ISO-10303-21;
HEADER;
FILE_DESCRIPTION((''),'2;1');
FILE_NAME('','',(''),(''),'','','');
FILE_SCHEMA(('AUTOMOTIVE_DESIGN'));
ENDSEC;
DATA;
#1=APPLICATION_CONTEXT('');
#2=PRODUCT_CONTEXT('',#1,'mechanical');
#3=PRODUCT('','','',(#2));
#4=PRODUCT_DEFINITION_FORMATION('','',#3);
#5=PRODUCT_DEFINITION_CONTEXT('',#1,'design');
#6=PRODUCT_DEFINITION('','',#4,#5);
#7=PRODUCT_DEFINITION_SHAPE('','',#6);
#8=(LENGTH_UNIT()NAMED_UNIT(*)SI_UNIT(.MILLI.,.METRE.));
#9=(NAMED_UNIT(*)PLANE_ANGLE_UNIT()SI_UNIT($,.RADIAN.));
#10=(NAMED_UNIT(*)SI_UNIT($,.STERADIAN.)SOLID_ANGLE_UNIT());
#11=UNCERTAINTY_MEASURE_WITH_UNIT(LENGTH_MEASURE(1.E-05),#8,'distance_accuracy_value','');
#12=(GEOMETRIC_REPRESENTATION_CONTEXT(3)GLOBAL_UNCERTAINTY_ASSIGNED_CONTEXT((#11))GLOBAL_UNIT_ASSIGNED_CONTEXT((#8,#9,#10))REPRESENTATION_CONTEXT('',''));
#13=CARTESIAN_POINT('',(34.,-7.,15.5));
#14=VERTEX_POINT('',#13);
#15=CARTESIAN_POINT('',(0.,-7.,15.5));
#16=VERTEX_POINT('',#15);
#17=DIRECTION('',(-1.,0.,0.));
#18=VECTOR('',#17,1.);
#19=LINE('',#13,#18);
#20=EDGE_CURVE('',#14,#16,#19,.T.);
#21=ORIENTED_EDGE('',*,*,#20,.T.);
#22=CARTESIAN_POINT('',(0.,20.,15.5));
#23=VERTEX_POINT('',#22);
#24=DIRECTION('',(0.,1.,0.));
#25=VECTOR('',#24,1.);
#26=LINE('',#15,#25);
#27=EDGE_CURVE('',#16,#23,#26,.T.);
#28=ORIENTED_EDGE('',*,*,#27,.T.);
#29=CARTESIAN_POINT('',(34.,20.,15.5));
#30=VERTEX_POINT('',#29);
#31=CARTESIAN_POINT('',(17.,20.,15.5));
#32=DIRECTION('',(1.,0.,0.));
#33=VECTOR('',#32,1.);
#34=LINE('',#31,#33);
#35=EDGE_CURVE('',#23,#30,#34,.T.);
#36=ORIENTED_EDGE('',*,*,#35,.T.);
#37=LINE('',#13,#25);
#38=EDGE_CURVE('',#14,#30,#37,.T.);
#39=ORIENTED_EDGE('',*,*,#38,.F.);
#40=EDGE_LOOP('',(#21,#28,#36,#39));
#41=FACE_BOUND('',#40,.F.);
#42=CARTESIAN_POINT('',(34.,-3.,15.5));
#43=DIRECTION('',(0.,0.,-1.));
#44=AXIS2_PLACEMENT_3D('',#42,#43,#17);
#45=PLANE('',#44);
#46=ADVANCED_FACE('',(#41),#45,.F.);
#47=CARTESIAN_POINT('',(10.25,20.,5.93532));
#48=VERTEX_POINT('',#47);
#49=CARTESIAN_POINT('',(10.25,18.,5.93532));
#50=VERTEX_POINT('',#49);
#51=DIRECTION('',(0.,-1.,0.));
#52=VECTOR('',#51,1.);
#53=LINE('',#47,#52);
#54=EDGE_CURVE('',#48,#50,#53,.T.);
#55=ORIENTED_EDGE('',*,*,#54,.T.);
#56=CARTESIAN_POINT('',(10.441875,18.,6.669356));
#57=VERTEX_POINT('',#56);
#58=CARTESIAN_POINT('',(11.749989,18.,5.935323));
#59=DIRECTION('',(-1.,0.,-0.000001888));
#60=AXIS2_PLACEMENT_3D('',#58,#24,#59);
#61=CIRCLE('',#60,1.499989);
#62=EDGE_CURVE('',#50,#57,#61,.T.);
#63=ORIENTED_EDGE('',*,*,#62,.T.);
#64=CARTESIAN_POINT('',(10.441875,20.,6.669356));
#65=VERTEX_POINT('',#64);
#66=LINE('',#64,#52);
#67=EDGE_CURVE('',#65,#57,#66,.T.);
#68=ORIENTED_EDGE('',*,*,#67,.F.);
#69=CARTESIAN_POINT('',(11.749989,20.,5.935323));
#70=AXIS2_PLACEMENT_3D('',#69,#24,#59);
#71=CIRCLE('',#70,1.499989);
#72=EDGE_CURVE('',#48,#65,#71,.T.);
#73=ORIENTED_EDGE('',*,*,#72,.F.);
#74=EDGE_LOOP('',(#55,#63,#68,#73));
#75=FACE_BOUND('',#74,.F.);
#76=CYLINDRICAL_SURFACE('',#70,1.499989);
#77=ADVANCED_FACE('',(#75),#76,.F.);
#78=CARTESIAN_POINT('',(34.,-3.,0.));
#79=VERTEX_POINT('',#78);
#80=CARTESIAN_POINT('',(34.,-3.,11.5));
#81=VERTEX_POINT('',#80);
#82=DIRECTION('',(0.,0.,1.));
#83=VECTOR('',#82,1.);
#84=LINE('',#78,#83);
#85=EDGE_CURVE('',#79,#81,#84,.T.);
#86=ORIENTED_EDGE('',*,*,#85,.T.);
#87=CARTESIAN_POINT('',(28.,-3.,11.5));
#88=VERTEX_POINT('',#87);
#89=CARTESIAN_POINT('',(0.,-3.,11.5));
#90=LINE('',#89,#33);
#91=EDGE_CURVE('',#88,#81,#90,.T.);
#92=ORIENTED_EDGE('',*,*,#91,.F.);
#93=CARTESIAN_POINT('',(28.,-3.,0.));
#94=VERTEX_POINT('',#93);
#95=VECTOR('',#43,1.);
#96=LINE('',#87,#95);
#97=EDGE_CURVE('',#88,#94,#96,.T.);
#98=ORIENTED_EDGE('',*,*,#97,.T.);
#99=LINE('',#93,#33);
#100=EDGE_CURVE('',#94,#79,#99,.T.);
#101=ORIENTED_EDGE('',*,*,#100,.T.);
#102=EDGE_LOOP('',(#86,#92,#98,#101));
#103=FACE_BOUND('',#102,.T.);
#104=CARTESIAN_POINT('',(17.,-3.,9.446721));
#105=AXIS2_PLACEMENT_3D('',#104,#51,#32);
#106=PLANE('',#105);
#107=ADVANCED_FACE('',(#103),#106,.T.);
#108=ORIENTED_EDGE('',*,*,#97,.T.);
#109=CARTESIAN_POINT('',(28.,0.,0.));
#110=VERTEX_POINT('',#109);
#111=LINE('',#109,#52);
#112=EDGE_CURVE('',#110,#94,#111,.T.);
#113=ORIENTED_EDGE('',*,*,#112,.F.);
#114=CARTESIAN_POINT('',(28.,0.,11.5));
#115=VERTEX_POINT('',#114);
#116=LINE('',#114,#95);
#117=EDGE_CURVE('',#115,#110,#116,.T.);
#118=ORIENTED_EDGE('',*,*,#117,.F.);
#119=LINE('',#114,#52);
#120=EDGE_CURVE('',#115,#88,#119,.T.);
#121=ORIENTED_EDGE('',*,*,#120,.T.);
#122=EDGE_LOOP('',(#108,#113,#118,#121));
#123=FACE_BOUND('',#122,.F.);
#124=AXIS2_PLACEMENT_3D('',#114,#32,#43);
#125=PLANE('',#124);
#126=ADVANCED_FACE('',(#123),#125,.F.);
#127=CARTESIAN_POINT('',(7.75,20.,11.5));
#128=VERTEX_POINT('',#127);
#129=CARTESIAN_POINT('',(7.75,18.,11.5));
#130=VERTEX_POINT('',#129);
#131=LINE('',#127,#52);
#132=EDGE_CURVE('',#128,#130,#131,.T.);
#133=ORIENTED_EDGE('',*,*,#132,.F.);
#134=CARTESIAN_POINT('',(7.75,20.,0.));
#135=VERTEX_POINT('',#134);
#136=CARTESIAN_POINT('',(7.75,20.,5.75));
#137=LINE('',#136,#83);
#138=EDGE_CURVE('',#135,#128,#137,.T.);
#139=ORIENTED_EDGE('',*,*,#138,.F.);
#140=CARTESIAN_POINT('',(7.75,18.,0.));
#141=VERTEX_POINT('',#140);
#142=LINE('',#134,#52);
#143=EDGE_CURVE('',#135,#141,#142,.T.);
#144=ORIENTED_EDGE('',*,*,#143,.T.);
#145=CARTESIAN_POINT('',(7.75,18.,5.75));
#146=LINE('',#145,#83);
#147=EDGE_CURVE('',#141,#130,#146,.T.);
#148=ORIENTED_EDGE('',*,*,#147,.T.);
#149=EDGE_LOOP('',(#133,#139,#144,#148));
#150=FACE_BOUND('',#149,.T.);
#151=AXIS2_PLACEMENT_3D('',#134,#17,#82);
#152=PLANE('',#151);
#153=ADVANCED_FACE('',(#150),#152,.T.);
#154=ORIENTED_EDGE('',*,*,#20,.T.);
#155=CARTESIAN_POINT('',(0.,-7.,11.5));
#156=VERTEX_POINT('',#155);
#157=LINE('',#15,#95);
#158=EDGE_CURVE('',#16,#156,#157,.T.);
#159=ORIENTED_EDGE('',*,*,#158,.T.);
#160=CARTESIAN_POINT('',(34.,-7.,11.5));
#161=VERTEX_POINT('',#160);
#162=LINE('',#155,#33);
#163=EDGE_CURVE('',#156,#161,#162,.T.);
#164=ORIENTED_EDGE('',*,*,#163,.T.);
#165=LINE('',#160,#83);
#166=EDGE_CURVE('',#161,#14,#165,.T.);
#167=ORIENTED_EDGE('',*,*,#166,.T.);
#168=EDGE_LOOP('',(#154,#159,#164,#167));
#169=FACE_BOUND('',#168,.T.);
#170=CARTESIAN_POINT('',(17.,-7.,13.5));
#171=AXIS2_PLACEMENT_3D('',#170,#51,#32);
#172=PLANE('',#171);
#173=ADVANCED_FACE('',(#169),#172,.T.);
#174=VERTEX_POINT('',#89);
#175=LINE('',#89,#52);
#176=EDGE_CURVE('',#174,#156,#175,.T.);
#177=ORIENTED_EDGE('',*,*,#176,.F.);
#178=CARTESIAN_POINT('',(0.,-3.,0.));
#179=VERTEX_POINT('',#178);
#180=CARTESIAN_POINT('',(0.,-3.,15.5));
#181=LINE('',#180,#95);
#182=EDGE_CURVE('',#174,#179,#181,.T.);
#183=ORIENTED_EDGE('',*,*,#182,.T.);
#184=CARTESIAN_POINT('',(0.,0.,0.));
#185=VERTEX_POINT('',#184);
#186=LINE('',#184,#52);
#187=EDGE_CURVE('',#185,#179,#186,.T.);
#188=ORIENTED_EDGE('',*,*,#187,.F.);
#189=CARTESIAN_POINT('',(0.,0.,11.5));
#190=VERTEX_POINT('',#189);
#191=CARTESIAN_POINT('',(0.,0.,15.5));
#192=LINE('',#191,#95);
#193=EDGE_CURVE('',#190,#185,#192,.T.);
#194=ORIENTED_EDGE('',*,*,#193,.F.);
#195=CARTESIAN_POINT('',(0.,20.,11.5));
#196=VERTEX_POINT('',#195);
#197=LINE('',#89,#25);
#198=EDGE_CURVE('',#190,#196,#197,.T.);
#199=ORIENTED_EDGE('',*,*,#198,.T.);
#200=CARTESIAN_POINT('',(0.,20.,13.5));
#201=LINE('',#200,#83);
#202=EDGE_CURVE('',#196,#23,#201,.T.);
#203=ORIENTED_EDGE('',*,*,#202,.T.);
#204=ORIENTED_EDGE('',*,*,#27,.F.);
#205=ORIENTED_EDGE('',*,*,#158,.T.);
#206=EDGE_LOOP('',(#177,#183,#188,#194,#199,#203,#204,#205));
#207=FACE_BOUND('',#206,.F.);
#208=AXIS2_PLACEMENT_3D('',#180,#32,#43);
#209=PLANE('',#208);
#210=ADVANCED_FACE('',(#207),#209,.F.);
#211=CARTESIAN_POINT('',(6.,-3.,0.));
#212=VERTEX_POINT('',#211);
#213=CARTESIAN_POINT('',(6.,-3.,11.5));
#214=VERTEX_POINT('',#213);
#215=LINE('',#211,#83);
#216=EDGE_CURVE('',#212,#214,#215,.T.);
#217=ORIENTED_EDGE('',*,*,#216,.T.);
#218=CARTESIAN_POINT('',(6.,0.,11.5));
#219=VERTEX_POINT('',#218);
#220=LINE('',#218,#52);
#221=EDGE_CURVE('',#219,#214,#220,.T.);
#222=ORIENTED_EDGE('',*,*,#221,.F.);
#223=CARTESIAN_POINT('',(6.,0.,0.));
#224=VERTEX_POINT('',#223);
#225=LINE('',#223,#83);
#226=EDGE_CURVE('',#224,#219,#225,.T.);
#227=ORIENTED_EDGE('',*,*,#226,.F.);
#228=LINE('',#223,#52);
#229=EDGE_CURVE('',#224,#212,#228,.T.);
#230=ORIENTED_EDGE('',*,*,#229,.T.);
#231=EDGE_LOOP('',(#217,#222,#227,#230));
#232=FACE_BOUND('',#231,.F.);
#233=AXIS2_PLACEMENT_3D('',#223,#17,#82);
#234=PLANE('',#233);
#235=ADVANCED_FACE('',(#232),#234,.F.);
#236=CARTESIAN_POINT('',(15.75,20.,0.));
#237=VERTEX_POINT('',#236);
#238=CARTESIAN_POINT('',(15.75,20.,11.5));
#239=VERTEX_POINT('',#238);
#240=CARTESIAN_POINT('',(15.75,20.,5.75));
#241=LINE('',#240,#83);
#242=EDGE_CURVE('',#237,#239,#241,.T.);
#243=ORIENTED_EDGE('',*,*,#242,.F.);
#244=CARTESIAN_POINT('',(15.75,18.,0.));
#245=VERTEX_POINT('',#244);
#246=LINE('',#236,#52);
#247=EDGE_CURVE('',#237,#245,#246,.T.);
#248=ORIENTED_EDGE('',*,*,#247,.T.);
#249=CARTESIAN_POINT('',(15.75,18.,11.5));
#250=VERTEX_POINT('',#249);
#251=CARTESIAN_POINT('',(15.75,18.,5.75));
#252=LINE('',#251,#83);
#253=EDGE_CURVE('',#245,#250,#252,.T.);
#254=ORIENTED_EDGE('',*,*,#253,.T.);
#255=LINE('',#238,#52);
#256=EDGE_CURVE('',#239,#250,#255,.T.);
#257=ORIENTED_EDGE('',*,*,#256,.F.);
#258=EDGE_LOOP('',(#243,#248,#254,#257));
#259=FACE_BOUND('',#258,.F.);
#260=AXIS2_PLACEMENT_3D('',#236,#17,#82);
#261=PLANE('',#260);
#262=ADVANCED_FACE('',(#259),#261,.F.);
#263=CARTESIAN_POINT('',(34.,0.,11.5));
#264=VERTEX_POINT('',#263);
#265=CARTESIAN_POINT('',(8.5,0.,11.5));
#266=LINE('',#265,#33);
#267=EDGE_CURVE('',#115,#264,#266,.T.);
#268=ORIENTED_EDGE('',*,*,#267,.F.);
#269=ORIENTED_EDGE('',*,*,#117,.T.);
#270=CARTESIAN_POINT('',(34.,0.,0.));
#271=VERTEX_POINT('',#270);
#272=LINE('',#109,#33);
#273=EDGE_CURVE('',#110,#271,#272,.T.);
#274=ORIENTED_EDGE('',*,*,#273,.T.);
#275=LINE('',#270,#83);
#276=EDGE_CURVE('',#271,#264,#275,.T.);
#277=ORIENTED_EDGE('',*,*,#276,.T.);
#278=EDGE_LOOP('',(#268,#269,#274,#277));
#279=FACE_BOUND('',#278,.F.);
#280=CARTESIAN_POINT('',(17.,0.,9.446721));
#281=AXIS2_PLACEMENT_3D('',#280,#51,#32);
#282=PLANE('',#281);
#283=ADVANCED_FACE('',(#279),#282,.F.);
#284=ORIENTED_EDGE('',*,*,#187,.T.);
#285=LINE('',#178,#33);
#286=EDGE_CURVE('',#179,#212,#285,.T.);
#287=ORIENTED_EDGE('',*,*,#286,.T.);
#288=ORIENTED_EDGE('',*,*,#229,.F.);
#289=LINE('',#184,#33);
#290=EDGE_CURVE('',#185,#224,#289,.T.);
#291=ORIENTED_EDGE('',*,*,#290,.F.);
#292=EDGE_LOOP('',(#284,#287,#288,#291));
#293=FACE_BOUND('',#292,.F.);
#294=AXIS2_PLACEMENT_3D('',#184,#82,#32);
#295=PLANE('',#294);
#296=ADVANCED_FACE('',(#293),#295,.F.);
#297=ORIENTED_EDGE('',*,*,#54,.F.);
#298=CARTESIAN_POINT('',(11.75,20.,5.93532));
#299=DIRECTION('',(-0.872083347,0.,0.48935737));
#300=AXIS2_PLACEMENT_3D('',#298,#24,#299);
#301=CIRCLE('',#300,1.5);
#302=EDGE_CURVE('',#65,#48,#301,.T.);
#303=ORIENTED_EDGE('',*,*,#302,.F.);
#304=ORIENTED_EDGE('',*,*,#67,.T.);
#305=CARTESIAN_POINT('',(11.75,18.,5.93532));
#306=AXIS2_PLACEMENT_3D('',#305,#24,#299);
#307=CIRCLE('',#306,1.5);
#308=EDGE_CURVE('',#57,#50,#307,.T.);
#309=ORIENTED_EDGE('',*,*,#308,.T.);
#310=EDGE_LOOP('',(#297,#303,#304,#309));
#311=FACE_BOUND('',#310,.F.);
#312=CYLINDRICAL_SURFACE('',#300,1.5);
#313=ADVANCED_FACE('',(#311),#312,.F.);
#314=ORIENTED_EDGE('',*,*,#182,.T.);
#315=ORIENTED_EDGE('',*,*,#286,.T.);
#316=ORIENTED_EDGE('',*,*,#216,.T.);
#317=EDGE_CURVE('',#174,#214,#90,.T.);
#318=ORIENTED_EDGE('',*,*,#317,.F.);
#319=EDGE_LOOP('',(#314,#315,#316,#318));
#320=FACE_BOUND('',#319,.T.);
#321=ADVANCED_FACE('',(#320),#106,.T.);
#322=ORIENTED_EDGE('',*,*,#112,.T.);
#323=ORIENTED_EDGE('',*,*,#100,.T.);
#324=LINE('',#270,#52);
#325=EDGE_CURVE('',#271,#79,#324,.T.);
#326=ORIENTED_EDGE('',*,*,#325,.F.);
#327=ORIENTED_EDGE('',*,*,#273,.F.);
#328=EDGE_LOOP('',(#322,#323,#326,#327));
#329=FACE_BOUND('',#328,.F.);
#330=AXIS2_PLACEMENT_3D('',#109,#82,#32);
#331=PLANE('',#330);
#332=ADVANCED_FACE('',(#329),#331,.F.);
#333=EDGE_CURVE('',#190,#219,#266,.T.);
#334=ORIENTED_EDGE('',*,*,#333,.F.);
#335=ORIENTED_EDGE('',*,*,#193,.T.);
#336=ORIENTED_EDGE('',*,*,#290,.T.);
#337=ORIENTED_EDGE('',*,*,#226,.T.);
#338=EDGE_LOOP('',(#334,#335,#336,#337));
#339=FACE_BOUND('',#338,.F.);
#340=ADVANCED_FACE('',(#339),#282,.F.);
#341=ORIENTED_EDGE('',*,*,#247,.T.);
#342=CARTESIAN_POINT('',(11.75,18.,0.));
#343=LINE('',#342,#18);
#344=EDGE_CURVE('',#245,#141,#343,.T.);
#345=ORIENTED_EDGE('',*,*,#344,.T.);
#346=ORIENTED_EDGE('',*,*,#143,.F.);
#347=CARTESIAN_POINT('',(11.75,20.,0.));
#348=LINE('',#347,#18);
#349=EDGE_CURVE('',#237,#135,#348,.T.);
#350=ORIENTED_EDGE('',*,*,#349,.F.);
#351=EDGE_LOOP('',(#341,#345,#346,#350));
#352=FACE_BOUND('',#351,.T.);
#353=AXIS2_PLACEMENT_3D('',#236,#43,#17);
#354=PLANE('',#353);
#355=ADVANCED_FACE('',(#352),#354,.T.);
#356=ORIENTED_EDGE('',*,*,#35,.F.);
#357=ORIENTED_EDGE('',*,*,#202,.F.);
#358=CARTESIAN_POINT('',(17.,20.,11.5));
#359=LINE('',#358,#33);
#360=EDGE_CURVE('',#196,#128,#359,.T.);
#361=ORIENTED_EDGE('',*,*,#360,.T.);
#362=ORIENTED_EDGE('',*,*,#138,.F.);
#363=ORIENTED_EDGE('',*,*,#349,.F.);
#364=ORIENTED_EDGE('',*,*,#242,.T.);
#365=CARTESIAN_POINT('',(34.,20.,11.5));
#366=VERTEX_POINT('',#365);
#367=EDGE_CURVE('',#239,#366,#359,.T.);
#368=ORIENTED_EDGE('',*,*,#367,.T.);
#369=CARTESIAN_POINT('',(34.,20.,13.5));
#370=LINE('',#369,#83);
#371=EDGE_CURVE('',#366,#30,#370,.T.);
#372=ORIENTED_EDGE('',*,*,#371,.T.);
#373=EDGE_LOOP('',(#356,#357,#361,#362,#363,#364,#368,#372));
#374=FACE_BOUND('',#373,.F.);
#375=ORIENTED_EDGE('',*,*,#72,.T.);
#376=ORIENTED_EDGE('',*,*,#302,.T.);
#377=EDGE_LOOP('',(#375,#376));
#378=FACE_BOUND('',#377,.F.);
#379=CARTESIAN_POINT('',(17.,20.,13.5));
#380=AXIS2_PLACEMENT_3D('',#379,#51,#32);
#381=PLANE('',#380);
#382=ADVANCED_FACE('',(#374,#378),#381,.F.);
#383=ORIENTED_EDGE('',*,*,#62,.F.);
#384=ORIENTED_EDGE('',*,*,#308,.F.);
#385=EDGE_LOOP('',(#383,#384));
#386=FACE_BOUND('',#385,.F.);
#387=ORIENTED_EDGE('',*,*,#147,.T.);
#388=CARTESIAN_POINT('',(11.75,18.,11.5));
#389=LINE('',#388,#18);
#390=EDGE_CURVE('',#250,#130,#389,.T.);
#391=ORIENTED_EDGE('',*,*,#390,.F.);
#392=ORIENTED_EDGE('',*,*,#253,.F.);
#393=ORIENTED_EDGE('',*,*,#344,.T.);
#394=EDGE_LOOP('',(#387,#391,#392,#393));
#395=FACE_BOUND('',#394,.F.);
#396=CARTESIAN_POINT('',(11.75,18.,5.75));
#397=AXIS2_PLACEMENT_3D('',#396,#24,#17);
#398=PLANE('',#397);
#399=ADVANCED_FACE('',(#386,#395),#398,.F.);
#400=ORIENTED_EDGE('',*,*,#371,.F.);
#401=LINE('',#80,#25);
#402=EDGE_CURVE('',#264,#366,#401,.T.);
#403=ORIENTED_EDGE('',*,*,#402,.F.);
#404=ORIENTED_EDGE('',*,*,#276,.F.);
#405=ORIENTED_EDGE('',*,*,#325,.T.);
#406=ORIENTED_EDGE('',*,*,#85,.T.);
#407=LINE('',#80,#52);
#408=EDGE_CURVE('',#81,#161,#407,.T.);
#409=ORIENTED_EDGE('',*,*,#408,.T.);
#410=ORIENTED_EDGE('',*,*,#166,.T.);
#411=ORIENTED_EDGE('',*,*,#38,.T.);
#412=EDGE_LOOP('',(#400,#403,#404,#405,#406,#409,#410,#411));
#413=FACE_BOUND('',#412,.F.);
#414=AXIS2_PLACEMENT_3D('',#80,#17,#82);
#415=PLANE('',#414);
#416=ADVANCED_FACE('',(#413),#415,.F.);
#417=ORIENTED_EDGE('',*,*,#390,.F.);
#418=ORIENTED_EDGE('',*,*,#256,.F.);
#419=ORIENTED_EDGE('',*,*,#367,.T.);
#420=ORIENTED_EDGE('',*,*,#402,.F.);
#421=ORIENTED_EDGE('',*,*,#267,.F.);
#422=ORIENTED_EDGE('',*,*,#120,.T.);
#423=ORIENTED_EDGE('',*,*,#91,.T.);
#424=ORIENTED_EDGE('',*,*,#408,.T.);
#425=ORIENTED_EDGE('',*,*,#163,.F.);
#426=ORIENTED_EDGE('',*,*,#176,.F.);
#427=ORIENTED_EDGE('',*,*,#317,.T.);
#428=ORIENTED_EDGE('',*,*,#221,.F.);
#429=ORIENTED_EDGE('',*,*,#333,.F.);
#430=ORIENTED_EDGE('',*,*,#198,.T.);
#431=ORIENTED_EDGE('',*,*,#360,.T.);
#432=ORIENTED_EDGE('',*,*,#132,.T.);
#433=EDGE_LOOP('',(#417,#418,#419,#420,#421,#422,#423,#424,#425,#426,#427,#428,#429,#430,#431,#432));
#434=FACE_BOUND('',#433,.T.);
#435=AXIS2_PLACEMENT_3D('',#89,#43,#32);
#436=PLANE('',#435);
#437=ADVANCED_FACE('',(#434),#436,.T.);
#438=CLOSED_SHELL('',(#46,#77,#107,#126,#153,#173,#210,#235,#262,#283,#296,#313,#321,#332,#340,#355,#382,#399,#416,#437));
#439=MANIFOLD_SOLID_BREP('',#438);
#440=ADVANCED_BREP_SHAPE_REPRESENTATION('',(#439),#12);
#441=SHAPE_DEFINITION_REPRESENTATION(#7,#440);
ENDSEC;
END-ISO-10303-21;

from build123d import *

# Parameters (mm, degrees)
F1_DEPTH = 3
F3_DEPTH = 4
F2_W     = 34
F2_H     = 4
F4_DEPTH = 23
F5_W     = 8
F5_H     = 11.5
F6_DEPTH = 2
F8_DEPTH = 2


with BuildPart() as f1:
    # F0 (on Front) → F1 (new body)
    with BuildSketch(Plane.XZ):
        Polygon((0, 15.5), (0, 0), (6, 0), (6, 11.5), (28, 11.5), (28, 0), (34, 0), (34, 15.5), align=None)
    extrude(amount=F1_DEPTH)

    # F2 (on face) → F3 (join)
    with BuildSketch(Plane.XZ.offset(3)):
        Polygon((0, 15.5), (0, 11.5), (6, 11.5), (28, 11.5), (34, 11.5), (34, 15.5), align=None)
    extrude(amount=F3_DEPTH)

    # F2 (on face) → F4 (join)
    with BuildSketch(Plane.XZ.offset(3)):
        with Locations((17, 13.5)):
            Rectangle(F2_W, F2_H)
    extrude(amount=-F4_DEPTH)

    # F5 (on face) → F6 (join)
    with BuildSketch(Plane(origin=(0, 20, 0), x_dir=(-1, 0, 0), z_dir=(0, 1, 0))):
        with Locations((-11.75, 5.75)):
            Rectangle(F5_W, F5_H)
    extrude(amount=-F6_DEPTH)

    # F7 (on face) → F8 (cut, through all)
    with BuildSketch(Plane(origin=(0, 20, 0), x_dir=(-1, 0, 0), z_dir=(0, 1, 0))):
        with BuildLine():
            ThreePointArc((-10.25, 5.93532), (-10.298761, 6.31467), (-10.441875, 6.669356))
            ThreePointArc((-10.441875, 6.669356), (-13.201239, 5.55597), (-10.25, 5.93532))
        make_face()
    extrude(amount=-F8_DEPTH, mode=Mode.SUBTRACT)


solid = f1.part
